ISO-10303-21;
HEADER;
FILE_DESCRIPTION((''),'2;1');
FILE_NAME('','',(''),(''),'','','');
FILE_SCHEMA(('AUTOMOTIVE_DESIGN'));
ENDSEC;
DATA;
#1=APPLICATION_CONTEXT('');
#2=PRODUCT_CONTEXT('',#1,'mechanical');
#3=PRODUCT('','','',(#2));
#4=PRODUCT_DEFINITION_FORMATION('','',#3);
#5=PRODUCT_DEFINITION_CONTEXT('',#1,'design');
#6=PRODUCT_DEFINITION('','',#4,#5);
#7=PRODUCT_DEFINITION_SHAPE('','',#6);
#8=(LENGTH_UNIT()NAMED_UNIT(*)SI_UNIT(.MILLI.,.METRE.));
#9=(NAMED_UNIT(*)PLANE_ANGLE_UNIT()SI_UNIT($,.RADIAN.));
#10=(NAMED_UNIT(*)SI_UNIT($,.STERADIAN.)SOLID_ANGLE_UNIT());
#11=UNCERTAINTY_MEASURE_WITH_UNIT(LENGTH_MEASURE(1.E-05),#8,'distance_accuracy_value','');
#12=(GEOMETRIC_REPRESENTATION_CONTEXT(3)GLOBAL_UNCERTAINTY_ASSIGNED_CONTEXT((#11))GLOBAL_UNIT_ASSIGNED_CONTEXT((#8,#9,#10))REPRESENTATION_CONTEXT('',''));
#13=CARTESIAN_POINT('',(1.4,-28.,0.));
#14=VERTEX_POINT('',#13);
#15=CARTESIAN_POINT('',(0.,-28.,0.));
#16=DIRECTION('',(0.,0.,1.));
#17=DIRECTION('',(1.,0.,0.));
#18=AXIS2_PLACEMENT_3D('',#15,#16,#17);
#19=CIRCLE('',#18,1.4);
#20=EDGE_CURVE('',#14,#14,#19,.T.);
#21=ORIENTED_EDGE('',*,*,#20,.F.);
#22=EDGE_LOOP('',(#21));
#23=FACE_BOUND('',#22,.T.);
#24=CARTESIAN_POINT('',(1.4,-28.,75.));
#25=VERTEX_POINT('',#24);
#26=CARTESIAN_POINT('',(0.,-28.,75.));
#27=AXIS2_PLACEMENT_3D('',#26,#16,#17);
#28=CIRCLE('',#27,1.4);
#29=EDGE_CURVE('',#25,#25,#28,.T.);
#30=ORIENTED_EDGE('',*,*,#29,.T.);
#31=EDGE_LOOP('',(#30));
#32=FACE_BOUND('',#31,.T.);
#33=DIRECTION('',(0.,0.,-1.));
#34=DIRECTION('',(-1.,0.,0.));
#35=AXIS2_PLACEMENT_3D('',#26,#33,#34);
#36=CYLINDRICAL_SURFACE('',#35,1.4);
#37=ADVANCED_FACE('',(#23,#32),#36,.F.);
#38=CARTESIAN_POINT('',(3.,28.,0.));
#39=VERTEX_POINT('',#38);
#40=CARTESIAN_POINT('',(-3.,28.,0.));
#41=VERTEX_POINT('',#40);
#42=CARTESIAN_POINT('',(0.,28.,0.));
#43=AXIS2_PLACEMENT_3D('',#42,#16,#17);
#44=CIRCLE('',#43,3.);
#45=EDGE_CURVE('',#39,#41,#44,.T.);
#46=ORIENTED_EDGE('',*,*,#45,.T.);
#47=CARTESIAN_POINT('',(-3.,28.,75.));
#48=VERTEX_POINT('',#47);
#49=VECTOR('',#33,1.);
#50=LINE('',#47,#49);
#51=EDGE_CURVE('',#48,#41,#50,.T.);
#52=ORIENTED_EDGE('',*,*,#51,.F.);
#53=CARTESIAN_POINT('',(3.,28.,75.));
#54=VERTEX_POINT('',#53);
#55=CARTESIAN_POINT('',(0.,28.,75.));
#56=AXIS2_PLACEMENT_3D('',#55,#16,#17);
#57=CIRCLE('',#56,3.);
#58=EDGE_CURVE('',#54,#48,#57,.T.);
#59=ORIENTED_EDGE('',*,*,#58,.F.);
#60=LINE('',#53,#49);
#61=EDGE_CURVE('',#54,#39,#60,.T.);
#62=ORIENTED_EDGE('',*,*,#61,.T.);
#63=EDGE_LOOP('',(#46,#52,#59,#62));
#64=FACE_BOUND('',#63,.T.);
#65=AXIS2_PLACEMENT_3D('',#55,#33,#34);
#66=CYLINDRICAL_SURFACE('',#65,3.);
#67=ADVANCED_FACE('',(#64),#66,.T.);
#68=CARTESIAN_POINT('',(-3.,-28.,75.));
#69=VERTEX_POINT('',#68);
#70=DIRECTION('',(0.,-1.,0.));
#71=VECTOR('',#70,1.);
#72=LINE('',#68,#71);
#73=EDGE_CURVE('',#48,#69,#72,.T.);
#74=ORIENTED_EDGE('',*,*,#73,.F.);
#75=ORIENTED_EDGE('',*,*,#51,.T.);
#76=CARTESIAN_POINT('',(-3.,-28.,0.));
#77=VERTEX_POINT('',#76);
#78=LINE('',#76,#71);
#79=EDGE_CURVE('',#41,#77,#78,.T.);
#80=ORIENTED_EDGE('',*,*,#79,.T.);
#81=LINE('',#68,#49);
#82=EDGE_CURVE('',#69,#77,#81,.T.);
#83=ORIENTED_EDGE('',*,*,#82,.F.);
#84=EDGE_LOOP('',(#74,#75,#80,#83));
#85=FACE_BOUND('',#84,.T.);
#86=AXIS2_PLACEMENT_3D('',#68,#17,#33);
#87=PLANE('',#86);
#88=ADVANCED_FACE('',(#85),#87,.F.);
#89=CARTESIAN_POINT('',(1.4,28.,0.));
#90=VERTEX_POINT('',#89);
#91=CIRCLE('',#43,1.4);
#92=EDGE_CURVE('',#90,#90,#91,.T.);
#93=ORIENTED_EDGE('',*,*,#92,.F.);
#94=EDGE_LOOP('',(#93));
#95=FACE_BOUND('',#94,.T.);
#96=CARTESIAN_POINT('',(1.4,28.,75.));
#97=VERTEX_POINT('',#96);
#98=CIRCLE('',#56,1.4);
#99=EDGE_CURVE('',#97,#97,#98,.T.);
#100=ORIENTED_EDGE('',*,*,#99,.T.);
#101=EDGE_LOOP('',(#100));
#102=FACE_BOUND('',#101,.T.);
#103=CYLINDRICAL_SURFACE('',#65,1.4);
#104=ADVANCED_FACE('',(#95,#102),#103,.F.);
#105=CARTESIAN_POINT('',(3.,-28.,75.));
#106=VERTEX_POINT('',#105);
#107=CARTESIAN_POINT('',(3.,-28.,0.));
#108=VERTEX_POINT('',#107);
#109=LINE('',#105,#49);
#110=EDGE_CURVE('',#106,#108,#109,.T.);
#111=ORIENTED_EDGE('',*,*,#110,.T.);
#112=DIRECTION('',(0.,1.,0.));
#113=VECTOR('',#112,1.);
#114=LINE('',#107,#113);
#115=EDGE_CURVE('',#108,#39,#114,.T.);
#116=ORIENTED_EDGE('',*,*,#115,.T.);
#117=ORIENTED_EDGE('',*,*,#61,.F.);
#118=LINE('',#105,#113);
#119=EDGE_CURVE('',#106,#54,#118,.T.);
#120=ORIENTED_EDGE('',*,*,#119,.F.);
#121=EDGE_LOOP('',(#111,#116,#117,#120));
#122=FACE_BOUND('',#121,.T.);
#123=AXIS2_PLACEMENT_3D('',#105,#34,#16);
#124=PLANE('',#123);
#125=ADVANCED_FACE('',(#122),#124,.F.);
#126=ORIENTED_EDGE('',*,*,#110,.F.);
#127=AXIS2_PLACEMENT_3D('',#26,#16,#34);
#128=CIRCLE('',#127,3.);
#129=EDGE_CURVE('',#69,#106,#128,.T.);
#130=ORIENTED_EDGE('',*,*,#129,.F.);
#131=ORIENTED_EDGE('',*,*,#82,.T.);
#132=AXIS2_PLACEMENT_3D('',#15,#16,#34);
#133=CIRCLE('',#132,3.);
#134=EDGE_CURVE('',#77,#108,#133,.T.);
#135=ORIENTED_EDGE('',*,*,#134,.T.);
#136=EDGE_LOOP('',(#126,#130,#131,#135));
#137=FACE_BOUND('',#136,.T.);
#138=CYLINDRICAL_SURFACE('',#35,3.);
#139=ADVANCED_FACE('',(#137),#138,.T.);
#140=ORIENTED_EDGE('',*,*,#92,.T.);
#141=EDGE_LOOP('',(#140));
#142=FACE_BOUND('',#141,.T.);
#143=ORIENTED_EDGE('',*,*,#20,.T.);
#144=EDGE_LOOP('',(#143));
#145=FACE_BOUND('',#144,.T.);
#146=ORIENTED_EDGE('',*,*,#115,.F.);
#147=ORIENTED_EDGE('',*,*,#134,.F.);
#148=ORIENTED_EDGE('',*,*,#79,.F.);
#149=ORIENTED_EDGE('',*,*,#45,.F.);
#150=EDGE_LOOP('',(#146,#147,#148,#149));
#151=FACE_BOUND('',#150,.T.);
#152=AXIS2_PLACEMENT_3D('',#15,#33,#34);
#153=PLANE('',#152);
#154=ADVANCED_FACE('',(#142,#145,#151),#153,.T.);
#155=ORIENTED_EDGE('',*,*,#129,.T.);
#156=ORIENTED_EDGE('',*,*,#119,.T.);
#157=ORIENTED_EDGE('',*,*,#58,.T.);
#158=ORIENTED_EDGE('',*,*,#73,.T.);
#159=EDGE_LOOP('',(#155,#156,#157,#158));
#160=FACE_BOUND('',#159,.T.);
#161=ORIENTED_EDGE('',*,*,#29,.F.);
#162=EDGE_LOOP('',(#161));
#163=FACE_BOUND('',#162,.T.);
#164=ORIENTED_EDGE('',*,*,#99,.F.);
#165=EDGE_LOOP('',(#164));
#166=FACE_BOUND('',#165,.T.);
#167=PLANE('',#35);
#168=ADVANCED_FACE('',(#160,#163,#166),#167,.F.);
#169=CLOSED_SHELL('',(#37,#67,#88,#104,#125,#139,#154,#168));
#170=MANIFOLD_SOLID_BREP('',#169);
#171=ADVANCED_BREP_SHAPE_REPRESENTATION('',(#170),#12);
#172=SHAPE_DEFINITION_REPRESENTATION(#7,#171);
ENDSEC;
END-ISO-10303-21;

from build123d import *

# Parameters (mm, degrees)
CROQUIS1_R              = 1.4
SALIENTE_EXTRUIR1_DEPTH = 75


with BuildPart() as part:
    # Croquis1 → Saliente-Extruir1 (new body)
    with BuildSketch(Plane.XY):
        with BuildLine():
            Line((3, -28), (3, 28))
            ThreePointArc((3, 28), (0, 31), (-3, 28))
            Line((-3, 28), (-3, -28))
            ThreePointArc((-3, -28), (0, -31), (3, -28))
        make_face()
        with Locations((0, 28)):
            Circle(CROQUIS1_R, mode=Mode.SUBTRACT)
        with Locations((0, -28)):
            Circle(CROQUIS1_R, mode=Mode.SUBTRACT)
    extrude(amount=SALIENTE_EXTRUIR1_DEPTH)


solid = part.part
